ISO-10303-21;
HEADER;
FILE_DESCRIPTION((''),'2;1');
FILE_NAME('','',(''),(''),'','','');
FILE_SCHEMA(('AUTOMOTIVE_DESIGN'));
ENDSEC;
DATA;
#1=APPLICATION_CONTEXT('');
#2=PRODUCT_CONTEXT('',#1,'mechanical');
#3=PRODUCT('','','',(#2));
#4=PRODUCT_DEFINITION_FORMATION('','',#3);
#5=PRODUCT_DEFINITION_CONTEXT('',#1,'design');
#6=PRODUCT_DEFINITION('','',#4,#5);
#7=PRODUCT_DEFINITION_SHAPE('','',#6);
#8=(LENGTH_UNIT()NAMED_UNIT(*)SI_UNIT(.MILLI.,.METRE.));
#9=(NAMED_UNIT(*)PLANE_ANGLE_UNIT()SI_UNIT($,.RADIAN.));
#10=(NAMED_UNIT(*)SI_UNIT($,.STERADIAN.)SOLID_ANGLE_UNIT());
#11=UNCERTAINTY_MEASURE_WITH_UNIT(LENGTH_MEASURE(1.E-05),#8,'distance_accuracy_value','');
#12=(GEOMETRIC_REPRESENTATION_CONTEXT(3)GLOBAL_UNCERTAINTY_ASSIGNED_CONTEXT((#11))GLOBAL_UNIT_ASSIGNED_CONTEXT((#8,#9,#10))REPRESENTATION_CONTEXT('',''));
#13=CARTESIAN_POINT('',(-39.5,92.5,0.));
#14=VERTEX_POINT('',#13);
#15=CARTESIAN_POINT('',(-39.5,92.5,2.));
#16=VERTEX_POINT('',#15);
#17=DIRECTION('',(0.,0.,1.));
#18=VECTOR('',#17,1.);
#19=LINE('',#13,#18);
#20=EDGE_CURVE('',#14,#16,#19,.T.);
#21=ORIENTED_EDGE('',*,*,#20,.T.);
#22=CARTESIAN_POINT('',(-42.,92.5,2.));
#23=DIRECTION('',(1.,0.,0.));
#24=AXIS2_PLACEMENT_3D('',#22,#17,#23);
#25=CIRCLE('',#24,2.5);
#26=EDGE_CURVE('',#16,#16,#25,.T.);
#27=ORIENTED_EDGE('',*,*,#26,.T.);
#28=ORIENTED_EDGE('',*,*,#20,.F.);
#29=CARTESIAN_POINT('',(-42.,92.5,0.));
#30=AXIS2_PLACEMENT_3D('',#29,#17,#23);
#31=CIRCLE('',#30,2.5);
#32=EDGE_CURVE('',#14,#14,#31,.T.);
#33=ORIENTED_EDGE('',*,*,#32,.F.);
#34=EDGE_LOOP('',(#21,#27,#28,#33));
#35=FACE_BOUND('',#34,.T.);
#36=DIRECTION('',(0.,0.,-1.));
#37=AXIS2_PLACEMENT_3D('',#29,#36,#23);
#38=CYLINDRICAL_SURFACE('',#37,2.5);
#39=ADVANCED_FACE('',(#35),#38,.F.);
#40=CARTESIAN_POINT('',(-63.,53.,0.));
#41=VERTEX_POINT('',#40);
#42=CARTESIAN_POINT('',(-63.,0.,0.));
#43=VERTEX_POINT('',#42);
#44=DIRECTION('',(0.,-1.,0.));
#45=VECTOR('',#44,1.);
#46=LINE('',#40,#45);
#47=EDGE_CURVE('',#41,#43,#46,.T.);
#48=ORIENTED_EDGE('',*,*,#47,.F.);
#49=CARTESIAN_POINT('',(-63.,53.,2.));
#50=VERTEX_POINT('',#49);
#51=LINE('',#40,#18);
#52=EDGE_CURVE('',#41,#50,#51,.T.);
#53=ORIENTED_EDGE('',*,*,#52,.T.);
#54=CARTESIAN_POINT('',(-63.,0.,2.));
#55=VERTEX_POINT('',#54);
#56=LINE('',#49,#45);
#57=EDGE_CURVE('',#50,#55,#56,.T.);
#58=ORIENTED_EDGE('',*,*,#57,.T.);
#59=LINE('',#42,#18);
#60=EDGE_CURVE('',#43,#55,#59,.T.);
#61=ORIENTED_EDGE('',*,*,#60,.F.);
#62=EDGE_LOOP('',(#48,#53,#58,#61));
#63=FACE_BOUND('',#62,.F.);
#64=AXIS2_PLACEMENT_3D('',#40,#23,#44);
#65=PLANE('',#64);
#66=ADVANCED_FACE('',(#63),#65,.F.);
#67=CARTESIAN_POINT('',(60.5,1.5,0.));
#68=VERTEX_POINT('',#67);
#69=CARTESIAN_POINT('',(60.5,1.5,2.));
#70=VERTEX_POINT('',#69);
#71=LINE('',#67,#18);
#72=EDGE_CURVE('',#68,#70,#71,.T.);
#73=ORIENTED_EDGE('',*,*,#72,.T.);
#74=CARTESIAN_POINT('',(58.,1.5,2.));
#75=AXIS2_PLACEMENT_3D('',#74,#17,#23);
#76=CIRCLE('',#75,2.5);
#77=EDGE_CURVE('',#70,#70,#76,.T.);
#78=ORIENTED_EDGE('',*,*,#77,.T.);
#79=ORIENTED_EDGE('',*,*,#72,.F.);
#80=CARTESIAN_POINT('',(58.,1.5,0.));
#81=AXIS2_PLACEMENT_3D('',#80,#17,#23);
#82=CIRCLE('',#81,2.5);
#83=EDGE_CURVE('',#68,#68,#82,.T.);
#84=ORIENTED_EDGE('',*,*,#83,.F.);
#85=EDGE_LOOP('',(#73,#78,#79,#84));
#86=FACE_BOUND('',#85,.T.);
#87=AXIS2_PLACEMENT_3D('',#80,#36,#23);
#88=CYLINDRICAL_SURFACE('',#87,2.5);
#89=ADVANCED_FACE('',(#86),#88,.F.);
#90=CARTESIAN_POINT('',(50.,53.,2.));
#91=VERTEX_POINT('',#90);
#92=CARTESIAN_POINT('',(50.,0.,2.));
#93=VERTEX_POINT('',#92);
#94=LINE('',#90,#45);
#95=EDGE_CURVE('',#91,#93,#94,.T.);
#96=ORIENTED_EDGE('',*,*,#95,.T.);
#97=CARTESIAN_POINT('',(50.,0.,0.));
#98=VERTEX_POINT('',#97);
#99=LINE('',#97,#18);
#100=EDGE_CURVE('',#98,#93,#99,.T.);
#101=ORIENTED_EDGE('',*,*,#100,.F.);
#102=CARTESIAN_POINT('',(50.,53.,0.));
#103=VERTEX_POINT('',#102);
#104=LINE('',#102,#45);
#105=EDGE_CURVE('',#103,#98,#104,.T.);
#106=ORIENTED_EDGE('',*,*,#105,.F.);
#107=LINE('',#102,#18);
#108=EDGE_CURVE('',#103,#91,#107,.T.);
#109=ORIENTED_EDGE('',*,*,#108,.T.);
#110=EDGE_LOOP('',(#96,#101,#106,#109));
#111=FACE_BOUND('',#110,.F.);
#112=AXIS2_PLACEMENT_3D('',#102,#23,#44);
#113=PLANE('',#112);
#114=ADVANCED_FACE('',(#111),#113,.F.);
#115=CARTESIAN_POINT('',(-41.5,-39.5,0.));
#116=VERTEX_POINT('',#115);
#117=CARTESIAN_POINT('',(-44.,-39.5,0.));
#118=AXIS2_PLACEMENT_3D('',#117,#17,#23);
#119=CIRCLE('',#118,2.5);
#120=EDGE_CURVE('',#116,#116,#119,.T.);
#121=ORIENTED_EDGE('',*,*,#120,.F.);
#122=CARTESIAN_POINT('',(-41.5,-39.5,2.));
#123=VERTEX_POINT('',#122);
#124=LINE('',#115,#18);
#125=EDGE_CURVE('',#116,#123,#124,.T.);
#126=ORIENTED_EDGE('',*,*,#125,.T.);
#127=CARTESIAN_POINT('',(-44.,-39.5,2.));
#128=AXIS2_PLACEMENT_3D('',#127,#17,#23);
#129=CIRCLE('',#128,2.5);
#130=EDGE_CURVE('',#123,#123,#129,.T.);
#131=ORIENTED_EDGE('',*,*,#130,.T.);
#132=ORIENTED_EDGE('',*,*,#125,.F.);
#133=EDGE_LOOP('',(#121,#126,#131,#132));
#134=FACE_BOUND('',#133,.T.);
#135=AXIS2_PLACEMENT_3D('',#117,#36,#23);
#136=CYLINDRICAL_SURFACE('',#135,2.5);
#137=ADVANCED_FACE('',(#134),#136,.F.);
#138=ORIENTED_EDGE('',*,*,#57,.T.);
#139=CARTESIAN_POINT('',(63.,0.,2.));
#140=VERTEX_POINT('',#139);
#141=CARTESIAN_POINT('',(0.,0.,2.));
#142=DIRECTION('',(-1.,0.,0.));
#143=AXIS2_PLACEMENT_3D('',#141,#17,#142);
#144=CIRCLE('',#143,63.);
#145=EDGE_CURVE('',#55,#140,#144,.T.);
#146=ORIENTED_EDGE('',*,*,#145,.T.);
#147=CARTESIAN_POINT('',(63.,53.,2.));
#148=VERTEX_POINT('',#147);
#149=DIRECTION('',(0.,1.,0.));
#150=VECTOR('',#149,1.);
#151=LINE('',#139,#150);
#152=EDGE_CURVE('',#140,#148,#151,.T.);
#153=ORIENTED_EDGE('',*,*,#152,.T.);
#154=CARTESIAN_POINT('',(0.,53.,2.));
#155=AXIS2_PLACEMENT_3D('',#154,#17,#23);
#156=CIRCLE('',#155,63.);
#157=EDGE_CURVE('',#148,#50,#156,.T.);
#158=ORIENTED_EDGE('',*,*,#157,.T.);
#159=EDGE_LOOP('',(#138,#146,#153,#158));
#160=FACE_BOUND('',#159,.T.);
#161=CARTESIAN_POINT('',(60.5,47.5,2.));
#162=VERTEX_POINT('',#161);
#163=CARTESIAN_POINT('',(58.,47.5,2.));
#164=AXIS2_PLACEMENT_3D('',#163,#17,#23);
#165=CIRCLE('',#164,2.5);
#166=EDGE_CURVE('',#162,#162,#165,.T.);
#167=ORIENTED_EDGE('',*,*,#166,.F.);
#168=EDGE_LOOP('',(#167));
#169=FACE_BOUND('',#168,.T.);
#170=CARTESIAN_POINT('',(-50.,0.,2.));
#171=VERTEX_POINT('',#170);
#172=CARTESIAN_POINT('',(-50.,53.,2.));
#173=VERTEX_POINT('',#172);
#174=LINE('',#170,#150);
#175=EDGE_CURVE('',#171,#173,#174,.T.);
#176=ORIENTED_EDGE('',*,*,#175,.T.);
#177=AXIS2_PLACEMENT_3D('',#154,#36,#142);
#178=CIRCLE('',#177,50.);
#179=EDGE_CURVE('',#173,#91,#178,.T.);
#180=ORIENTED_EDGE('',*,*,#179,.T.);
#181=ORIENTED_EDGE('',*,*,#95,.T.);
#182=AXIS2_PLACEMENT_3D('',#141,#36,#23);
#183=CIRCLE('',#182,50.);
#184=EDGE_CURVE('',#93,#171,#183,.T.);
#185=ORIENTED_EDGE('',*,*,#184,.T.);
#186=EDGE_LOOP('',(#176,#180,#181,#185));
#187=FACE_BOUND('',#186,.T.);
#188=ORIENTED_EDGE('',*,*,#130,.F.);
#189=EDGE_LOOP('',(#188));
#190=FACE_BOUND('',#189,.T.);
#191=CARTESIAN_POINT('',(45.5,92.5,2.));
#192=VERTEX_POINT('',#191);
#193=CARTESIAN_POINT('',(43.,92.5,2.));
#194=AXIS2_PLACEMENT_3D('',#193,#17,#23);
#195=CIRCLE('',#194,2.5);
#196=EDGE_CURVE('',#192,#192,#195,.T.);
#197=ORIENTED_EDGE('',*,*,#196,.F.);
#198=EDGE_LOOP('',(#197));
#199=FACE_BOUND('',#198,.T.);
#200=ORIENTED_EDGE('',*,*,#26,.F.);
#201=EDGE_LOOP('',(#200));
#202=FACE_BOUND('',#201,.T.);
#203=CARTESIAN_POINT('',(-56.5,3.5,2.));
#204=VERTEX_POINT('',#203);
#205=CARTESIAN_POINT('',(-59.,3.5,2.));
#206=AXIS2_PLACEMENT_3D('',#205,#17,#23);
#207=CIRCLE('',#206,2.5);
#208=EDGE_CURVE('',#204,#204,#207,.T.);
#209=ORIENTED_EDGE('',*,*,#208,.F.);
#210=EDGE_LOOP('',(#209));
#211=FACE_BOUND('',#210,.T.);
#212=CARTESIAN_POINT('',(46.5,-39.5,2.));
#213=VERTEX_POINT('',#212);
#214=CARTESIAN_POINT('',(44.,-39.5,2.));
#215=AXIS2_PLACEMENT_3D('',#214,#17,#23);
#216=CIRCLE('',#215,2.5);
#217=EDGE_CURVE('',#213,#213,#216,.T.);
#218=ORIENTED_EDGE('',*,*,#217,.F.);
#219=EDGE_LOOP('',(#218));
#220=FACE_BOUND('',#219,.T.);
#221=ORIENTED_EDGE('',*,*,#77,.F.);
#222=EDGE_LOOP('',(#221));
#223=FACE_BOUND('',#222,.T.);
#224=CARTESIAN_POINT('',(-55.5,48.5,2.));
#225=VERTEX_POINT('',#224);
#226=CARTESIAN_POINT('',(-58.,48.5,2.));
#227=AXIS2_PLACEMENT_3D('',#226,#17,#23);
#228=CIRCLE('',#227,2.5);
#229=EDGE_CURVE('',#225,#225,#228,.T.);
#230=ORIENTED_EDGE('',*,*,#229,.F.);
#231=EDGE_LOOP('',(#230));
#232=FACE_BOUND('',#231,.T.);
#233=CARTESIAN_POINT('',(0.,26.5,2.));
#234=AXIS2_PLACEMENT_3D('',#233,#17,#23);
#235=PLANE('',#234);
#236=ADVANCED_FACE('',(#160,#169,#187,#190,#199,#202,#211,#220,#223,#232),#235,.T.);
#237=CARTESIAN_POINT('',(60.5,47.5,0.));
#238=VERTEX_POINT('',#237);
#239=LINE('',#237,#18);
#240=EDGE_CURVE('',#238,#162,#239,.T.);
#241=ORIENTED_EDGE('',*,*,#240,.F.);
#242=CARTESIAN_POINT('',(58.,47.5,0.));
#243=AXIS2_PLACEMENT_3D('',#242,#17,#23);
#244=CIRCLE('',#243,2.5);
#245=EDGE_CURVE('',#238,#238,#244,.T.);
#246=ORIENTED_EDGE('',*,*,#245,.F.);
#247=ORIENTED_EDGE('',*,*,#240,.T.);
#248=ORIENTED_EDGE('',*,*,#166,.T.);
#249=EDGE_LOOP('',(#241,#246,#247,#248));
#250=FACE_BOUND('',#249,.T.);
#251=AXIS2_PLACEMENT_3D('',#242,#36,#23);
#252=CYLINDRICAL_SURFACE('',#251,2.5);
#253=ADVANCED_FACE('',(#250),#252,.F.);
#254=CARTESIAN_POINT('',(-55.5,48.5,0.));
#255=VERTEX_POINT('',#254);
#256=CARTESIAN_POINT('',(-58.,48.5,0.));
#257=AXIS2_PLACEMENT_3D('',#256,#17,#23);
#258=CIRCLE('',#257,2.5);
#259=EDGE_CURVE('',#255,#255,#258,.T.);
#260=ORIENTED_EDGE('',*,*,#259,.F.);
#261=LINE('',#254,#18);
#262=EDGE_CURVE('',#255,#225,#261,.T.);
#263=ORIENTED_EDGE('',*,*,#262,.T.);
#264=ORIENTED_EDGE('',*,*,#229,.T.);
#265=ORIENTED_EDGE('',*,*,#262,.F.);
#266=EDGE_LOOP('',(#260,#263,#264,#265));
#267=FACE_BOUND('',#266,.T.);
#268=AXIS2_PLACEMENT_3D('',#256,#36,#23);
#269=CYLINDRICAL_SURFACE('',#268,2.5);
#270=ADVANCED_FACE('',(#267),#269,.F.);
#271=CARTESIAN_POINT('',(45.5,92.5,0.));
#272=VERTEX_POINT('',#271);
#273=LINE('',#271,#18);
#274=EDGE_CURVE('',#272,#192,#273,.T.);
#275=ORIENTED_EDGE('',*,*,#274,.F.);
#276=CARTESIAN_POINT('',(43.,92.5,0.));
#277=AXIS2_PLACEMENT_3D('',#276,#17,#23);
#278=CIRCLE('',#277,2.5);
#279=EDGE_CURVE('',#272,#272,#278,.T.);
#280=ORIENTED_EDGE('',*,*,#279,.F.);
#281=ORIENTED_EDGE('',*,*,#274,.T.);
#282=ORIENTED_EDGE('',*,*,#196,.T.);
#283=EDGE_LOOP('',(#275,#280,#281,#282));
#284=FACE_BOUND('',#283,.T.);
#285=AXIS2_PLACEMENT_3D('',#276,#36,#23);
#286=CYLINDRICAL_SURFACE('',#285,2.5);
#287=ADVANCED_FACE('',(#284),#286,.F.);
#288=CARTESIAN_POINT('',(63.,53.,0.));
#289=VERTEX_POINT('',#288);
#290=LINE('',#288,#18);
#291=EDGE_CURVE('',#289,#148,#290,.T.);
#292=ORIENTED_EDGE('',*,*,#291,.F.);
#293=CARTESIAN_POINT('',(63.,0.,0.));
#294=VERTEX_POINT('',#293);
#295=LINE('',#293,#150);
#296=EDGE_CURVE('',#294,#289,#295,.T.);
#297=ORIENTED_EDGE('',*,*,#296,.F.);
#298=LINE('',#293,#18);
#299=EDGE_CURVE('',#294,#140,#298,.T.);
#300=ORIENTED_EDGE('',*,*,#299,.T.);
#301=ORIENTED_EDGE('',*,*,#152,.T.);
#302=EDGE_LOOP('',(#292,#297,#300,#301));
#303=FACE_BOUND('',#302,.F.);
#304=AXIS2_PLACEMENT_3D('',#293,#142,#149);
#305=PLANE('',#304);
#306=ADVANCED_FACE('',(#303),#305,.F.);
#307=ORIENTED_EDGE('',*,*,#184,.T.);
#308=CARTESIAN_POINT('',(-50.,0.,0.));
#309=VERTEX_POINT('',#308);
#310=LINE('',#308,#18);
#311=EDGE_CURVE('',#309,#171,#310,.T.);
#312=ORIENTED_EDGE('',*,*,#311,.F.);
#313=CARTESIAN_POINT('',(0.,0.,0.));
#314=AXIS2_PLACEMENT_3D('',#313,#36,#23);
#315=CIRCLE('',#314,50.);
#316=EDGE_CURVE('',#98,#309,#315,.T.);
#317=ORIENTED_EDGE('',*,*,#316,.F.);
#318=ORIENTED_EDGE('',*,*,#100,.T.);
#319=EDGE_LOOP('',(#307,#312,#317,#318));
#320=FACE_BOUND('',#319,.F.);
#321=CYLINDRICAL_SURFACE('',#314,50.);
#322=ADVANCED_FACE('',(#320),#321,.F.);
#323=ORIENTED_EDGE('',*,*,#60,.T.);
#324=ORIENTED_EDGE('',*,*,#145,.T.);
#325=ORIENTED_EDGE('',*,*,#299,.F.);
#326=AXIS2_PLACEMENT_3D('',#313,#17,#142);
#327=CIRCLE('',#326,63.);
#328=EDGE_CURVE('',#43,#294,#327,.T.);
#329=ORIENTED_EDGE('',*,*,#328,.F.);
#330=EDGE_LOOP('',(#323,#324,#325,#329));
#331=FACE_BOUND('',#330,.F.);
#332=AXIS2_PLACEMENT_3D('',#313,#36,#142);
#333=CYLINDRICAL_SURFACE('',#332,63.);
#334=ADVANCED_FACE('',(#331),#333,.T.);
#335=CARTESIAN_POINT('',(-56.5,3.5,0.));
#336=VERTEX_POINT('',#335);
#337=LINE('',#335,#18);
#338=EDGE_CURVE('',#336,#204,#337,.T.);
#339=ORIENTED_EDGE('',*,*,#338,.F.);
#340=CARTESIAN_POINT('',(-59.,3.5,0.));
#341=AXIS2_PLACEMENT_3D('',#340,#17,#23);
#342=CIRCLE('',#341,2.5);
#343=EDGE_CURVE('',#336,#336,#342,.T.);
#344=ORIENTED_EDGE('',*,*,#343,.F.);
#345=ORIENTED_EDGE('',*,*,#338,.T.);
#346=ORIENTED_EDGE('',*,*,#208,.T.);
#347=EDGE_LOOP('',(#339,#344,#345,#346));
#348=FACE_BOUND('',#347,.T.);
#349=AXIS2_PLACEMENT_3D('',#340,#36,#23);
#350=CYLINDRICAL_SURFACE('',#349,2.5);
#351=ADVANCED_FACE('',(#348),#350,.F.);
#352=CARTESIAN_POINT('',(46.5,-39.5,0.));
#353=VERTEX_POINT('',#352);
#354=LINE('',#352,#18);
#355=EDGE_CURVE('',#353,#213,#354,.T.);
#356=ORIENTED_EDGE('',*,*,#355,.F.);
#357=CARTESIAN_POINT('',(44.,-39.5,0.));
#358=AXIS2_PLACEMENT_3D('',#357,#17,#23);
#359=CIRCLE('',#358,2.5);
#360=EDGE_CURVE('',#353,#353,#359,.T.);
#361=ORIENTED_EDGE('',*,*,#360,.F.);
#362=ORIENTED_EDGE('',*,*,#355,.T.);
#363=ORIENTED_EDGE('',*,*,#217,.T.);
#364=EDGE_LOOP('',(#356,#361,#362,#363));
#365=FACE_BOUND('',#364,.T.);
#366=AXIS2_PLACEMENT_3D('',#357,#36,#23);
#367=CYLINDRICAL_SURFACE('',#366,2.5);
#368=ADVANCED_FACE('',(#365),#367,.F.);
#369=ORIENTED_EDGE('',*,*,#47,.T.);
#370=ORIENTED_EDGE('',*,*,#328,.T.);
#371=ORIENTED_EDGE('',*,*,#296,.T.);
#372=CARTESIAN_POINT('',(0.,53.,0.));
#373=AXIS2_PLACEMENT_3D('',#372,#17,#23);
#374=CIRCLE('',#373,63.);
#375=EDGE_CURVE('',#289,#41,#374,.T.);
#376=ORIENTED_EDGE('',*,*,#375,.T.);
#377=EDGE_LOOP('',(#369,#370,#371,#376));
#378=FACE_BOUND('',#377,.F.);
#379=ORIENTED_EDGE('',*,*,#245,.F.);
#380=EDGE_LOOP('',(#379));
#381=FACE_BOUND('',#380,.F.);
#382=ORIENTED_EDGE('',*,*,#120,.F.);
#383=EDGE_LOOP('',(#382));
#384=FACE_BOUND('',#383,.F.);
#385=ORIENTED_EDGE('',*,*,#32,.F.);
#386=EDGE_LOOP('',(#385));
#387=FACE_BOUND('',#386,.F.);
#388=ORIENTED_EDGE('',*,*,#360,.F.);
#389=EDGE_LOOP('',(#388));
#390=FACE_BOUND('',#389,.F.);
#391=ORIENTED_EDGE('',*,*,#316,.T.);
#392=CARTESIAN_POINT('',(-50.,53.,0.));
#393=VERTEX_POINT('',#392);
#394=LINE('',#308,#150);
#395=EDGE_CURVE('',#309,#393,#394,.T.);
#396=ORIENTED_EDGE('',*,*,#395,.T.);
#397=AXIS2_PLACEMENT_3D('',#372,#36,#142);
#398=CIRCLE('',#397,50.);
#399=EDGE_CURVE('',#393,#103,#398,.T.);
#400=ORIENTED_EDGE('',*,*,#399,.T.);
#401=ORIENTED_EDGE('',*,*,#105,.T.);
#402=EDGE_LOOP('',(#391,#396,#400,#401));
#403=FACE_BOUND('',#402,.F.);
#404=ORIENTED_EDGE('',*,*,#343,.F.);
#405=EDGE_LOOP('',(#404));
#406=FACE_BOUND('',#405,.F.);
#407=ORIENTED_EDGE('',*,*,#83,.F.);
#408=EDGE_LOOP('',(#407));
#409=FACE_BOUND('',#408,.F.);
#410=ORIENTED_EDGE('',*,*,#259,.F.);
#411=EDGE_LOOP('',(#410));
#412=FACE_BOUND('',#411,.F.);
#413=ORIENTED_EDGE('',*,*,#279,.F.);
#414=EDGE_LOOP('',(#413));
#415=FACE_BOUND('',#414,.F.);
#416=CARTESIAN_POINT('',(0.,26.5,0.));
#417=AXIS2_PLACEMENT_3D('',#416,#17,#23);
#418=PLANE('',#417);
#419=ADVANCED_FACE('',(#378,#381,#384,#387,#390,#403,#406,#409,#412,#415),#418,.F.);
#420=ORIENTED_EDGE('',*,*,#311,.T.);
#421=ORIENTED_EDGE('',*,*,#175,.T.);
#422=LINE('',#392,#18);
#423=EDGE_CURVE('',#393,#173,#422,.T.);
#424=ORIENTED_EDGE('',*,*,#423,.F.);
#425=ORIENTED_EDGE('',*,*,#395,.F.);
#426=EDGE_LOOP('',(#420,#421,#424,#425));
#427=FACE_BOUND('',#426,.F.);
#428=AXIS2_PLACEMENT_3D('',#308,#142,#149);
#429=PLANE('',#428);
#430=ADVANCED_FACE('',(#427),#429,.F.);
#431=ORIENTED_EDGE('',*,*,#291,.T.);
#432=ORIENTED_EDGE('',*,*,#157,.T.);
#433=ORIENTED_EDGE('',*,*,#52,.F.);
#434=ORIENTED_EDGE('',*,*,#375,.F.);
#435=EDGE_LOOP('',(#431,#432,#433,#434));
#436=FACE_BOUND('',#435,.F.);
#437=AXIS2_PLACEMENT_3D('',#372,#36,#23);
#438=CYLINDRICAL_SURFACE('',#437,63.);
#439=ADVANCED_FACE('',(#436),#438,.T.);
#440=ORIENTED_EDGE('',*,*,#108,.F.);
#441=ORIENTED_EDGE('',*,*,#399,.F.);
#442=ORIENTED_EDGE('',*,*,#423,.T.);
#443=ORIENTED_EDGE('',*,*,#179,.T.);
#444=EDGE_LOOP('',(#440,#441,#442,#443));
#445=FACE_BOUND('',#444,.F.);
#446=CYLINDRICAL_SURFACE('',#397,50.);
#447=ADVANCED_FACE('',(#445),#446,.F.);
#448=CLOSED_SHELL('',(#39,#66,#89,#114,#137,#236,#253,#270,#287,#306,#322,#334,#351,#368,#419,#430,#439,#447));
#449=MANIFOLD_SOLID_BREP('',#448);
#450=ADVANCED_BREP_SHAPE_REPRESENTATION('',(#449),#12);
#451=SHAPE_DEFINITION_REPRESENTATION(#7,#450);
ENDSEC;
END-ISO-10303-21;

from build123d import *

# Parameters (mm, degrees)
F0_R     = 2.5
F1_DEPTH = 2


with BuildPart() as f1:
    # F0 (on Top) → F1 (new body)
    with BuildSketch(Plane.XY):
        with BuildLine():
            ThreePointArc((-50, 0), (0, -50), (50, 0))
            Line((50, 0), (50, 53))
            ThreePointArc((50, 53), (0, 103), (-50, 53))
            Line((-50, 53), (-50, 26.5))
            Line((-50, 26.5), (-50, 0))
        make_face()
        with BuildLine():
            Line((-63, 53), (-63, 26.5))
            Line((-63, 26.5), (-63, 0))
            ThreePointArc((-63, 0), (0, -63), (63, 0))
            Line((63, 0), (63, 53))
            ThreePointArc((63, 53), (0, 116), (-63, 53))
        make_face()
        with Locations((-44, -39.5)):
            Circle(F0_R, mode=Mode.SUBTRACT)
        with Locations((-59, 3.5)):
            Circle(F0_R, mode=Mode.SUBTRACT)
        with Locations((44, -39.5)):
            Circle(F0_R, mode=Mode.SUBTRACT)
        with Locations((58, 1.5)):
            Circle(F0_R, mode=Mode.SUBTRACT)
        with Locations((-58, 48.5)):
            Circle(F0_R, mode=Mode.SUBTRACT)
        with Locations((-42, 92.5)):
            Circle(F0_R, mode=Mode.SUBTRACT)
        with BuildLine():
            Line((50, 53), (50, 0))
            ThreePointArc((50, 0), (0, -50), (-50, 0))
            Line((-50, 0), (-50, 26.5))
            Line((-50, 26.5), (-50, 53))
            ThreePointArc((-50, 53), (0, 103), (50, 53))
        make_face(mode=Mode.SUBTRACT)
        with Locations((58, 47.5)):
            Circle(F0_R, mode=Mode.SUBTRACT)
        with Locations((43, 92.5)):
            Circle(F0_R, mode=Mode.SUBTRACT)
    extrude(amount=F1_DEPTH)


solid = f1.part
